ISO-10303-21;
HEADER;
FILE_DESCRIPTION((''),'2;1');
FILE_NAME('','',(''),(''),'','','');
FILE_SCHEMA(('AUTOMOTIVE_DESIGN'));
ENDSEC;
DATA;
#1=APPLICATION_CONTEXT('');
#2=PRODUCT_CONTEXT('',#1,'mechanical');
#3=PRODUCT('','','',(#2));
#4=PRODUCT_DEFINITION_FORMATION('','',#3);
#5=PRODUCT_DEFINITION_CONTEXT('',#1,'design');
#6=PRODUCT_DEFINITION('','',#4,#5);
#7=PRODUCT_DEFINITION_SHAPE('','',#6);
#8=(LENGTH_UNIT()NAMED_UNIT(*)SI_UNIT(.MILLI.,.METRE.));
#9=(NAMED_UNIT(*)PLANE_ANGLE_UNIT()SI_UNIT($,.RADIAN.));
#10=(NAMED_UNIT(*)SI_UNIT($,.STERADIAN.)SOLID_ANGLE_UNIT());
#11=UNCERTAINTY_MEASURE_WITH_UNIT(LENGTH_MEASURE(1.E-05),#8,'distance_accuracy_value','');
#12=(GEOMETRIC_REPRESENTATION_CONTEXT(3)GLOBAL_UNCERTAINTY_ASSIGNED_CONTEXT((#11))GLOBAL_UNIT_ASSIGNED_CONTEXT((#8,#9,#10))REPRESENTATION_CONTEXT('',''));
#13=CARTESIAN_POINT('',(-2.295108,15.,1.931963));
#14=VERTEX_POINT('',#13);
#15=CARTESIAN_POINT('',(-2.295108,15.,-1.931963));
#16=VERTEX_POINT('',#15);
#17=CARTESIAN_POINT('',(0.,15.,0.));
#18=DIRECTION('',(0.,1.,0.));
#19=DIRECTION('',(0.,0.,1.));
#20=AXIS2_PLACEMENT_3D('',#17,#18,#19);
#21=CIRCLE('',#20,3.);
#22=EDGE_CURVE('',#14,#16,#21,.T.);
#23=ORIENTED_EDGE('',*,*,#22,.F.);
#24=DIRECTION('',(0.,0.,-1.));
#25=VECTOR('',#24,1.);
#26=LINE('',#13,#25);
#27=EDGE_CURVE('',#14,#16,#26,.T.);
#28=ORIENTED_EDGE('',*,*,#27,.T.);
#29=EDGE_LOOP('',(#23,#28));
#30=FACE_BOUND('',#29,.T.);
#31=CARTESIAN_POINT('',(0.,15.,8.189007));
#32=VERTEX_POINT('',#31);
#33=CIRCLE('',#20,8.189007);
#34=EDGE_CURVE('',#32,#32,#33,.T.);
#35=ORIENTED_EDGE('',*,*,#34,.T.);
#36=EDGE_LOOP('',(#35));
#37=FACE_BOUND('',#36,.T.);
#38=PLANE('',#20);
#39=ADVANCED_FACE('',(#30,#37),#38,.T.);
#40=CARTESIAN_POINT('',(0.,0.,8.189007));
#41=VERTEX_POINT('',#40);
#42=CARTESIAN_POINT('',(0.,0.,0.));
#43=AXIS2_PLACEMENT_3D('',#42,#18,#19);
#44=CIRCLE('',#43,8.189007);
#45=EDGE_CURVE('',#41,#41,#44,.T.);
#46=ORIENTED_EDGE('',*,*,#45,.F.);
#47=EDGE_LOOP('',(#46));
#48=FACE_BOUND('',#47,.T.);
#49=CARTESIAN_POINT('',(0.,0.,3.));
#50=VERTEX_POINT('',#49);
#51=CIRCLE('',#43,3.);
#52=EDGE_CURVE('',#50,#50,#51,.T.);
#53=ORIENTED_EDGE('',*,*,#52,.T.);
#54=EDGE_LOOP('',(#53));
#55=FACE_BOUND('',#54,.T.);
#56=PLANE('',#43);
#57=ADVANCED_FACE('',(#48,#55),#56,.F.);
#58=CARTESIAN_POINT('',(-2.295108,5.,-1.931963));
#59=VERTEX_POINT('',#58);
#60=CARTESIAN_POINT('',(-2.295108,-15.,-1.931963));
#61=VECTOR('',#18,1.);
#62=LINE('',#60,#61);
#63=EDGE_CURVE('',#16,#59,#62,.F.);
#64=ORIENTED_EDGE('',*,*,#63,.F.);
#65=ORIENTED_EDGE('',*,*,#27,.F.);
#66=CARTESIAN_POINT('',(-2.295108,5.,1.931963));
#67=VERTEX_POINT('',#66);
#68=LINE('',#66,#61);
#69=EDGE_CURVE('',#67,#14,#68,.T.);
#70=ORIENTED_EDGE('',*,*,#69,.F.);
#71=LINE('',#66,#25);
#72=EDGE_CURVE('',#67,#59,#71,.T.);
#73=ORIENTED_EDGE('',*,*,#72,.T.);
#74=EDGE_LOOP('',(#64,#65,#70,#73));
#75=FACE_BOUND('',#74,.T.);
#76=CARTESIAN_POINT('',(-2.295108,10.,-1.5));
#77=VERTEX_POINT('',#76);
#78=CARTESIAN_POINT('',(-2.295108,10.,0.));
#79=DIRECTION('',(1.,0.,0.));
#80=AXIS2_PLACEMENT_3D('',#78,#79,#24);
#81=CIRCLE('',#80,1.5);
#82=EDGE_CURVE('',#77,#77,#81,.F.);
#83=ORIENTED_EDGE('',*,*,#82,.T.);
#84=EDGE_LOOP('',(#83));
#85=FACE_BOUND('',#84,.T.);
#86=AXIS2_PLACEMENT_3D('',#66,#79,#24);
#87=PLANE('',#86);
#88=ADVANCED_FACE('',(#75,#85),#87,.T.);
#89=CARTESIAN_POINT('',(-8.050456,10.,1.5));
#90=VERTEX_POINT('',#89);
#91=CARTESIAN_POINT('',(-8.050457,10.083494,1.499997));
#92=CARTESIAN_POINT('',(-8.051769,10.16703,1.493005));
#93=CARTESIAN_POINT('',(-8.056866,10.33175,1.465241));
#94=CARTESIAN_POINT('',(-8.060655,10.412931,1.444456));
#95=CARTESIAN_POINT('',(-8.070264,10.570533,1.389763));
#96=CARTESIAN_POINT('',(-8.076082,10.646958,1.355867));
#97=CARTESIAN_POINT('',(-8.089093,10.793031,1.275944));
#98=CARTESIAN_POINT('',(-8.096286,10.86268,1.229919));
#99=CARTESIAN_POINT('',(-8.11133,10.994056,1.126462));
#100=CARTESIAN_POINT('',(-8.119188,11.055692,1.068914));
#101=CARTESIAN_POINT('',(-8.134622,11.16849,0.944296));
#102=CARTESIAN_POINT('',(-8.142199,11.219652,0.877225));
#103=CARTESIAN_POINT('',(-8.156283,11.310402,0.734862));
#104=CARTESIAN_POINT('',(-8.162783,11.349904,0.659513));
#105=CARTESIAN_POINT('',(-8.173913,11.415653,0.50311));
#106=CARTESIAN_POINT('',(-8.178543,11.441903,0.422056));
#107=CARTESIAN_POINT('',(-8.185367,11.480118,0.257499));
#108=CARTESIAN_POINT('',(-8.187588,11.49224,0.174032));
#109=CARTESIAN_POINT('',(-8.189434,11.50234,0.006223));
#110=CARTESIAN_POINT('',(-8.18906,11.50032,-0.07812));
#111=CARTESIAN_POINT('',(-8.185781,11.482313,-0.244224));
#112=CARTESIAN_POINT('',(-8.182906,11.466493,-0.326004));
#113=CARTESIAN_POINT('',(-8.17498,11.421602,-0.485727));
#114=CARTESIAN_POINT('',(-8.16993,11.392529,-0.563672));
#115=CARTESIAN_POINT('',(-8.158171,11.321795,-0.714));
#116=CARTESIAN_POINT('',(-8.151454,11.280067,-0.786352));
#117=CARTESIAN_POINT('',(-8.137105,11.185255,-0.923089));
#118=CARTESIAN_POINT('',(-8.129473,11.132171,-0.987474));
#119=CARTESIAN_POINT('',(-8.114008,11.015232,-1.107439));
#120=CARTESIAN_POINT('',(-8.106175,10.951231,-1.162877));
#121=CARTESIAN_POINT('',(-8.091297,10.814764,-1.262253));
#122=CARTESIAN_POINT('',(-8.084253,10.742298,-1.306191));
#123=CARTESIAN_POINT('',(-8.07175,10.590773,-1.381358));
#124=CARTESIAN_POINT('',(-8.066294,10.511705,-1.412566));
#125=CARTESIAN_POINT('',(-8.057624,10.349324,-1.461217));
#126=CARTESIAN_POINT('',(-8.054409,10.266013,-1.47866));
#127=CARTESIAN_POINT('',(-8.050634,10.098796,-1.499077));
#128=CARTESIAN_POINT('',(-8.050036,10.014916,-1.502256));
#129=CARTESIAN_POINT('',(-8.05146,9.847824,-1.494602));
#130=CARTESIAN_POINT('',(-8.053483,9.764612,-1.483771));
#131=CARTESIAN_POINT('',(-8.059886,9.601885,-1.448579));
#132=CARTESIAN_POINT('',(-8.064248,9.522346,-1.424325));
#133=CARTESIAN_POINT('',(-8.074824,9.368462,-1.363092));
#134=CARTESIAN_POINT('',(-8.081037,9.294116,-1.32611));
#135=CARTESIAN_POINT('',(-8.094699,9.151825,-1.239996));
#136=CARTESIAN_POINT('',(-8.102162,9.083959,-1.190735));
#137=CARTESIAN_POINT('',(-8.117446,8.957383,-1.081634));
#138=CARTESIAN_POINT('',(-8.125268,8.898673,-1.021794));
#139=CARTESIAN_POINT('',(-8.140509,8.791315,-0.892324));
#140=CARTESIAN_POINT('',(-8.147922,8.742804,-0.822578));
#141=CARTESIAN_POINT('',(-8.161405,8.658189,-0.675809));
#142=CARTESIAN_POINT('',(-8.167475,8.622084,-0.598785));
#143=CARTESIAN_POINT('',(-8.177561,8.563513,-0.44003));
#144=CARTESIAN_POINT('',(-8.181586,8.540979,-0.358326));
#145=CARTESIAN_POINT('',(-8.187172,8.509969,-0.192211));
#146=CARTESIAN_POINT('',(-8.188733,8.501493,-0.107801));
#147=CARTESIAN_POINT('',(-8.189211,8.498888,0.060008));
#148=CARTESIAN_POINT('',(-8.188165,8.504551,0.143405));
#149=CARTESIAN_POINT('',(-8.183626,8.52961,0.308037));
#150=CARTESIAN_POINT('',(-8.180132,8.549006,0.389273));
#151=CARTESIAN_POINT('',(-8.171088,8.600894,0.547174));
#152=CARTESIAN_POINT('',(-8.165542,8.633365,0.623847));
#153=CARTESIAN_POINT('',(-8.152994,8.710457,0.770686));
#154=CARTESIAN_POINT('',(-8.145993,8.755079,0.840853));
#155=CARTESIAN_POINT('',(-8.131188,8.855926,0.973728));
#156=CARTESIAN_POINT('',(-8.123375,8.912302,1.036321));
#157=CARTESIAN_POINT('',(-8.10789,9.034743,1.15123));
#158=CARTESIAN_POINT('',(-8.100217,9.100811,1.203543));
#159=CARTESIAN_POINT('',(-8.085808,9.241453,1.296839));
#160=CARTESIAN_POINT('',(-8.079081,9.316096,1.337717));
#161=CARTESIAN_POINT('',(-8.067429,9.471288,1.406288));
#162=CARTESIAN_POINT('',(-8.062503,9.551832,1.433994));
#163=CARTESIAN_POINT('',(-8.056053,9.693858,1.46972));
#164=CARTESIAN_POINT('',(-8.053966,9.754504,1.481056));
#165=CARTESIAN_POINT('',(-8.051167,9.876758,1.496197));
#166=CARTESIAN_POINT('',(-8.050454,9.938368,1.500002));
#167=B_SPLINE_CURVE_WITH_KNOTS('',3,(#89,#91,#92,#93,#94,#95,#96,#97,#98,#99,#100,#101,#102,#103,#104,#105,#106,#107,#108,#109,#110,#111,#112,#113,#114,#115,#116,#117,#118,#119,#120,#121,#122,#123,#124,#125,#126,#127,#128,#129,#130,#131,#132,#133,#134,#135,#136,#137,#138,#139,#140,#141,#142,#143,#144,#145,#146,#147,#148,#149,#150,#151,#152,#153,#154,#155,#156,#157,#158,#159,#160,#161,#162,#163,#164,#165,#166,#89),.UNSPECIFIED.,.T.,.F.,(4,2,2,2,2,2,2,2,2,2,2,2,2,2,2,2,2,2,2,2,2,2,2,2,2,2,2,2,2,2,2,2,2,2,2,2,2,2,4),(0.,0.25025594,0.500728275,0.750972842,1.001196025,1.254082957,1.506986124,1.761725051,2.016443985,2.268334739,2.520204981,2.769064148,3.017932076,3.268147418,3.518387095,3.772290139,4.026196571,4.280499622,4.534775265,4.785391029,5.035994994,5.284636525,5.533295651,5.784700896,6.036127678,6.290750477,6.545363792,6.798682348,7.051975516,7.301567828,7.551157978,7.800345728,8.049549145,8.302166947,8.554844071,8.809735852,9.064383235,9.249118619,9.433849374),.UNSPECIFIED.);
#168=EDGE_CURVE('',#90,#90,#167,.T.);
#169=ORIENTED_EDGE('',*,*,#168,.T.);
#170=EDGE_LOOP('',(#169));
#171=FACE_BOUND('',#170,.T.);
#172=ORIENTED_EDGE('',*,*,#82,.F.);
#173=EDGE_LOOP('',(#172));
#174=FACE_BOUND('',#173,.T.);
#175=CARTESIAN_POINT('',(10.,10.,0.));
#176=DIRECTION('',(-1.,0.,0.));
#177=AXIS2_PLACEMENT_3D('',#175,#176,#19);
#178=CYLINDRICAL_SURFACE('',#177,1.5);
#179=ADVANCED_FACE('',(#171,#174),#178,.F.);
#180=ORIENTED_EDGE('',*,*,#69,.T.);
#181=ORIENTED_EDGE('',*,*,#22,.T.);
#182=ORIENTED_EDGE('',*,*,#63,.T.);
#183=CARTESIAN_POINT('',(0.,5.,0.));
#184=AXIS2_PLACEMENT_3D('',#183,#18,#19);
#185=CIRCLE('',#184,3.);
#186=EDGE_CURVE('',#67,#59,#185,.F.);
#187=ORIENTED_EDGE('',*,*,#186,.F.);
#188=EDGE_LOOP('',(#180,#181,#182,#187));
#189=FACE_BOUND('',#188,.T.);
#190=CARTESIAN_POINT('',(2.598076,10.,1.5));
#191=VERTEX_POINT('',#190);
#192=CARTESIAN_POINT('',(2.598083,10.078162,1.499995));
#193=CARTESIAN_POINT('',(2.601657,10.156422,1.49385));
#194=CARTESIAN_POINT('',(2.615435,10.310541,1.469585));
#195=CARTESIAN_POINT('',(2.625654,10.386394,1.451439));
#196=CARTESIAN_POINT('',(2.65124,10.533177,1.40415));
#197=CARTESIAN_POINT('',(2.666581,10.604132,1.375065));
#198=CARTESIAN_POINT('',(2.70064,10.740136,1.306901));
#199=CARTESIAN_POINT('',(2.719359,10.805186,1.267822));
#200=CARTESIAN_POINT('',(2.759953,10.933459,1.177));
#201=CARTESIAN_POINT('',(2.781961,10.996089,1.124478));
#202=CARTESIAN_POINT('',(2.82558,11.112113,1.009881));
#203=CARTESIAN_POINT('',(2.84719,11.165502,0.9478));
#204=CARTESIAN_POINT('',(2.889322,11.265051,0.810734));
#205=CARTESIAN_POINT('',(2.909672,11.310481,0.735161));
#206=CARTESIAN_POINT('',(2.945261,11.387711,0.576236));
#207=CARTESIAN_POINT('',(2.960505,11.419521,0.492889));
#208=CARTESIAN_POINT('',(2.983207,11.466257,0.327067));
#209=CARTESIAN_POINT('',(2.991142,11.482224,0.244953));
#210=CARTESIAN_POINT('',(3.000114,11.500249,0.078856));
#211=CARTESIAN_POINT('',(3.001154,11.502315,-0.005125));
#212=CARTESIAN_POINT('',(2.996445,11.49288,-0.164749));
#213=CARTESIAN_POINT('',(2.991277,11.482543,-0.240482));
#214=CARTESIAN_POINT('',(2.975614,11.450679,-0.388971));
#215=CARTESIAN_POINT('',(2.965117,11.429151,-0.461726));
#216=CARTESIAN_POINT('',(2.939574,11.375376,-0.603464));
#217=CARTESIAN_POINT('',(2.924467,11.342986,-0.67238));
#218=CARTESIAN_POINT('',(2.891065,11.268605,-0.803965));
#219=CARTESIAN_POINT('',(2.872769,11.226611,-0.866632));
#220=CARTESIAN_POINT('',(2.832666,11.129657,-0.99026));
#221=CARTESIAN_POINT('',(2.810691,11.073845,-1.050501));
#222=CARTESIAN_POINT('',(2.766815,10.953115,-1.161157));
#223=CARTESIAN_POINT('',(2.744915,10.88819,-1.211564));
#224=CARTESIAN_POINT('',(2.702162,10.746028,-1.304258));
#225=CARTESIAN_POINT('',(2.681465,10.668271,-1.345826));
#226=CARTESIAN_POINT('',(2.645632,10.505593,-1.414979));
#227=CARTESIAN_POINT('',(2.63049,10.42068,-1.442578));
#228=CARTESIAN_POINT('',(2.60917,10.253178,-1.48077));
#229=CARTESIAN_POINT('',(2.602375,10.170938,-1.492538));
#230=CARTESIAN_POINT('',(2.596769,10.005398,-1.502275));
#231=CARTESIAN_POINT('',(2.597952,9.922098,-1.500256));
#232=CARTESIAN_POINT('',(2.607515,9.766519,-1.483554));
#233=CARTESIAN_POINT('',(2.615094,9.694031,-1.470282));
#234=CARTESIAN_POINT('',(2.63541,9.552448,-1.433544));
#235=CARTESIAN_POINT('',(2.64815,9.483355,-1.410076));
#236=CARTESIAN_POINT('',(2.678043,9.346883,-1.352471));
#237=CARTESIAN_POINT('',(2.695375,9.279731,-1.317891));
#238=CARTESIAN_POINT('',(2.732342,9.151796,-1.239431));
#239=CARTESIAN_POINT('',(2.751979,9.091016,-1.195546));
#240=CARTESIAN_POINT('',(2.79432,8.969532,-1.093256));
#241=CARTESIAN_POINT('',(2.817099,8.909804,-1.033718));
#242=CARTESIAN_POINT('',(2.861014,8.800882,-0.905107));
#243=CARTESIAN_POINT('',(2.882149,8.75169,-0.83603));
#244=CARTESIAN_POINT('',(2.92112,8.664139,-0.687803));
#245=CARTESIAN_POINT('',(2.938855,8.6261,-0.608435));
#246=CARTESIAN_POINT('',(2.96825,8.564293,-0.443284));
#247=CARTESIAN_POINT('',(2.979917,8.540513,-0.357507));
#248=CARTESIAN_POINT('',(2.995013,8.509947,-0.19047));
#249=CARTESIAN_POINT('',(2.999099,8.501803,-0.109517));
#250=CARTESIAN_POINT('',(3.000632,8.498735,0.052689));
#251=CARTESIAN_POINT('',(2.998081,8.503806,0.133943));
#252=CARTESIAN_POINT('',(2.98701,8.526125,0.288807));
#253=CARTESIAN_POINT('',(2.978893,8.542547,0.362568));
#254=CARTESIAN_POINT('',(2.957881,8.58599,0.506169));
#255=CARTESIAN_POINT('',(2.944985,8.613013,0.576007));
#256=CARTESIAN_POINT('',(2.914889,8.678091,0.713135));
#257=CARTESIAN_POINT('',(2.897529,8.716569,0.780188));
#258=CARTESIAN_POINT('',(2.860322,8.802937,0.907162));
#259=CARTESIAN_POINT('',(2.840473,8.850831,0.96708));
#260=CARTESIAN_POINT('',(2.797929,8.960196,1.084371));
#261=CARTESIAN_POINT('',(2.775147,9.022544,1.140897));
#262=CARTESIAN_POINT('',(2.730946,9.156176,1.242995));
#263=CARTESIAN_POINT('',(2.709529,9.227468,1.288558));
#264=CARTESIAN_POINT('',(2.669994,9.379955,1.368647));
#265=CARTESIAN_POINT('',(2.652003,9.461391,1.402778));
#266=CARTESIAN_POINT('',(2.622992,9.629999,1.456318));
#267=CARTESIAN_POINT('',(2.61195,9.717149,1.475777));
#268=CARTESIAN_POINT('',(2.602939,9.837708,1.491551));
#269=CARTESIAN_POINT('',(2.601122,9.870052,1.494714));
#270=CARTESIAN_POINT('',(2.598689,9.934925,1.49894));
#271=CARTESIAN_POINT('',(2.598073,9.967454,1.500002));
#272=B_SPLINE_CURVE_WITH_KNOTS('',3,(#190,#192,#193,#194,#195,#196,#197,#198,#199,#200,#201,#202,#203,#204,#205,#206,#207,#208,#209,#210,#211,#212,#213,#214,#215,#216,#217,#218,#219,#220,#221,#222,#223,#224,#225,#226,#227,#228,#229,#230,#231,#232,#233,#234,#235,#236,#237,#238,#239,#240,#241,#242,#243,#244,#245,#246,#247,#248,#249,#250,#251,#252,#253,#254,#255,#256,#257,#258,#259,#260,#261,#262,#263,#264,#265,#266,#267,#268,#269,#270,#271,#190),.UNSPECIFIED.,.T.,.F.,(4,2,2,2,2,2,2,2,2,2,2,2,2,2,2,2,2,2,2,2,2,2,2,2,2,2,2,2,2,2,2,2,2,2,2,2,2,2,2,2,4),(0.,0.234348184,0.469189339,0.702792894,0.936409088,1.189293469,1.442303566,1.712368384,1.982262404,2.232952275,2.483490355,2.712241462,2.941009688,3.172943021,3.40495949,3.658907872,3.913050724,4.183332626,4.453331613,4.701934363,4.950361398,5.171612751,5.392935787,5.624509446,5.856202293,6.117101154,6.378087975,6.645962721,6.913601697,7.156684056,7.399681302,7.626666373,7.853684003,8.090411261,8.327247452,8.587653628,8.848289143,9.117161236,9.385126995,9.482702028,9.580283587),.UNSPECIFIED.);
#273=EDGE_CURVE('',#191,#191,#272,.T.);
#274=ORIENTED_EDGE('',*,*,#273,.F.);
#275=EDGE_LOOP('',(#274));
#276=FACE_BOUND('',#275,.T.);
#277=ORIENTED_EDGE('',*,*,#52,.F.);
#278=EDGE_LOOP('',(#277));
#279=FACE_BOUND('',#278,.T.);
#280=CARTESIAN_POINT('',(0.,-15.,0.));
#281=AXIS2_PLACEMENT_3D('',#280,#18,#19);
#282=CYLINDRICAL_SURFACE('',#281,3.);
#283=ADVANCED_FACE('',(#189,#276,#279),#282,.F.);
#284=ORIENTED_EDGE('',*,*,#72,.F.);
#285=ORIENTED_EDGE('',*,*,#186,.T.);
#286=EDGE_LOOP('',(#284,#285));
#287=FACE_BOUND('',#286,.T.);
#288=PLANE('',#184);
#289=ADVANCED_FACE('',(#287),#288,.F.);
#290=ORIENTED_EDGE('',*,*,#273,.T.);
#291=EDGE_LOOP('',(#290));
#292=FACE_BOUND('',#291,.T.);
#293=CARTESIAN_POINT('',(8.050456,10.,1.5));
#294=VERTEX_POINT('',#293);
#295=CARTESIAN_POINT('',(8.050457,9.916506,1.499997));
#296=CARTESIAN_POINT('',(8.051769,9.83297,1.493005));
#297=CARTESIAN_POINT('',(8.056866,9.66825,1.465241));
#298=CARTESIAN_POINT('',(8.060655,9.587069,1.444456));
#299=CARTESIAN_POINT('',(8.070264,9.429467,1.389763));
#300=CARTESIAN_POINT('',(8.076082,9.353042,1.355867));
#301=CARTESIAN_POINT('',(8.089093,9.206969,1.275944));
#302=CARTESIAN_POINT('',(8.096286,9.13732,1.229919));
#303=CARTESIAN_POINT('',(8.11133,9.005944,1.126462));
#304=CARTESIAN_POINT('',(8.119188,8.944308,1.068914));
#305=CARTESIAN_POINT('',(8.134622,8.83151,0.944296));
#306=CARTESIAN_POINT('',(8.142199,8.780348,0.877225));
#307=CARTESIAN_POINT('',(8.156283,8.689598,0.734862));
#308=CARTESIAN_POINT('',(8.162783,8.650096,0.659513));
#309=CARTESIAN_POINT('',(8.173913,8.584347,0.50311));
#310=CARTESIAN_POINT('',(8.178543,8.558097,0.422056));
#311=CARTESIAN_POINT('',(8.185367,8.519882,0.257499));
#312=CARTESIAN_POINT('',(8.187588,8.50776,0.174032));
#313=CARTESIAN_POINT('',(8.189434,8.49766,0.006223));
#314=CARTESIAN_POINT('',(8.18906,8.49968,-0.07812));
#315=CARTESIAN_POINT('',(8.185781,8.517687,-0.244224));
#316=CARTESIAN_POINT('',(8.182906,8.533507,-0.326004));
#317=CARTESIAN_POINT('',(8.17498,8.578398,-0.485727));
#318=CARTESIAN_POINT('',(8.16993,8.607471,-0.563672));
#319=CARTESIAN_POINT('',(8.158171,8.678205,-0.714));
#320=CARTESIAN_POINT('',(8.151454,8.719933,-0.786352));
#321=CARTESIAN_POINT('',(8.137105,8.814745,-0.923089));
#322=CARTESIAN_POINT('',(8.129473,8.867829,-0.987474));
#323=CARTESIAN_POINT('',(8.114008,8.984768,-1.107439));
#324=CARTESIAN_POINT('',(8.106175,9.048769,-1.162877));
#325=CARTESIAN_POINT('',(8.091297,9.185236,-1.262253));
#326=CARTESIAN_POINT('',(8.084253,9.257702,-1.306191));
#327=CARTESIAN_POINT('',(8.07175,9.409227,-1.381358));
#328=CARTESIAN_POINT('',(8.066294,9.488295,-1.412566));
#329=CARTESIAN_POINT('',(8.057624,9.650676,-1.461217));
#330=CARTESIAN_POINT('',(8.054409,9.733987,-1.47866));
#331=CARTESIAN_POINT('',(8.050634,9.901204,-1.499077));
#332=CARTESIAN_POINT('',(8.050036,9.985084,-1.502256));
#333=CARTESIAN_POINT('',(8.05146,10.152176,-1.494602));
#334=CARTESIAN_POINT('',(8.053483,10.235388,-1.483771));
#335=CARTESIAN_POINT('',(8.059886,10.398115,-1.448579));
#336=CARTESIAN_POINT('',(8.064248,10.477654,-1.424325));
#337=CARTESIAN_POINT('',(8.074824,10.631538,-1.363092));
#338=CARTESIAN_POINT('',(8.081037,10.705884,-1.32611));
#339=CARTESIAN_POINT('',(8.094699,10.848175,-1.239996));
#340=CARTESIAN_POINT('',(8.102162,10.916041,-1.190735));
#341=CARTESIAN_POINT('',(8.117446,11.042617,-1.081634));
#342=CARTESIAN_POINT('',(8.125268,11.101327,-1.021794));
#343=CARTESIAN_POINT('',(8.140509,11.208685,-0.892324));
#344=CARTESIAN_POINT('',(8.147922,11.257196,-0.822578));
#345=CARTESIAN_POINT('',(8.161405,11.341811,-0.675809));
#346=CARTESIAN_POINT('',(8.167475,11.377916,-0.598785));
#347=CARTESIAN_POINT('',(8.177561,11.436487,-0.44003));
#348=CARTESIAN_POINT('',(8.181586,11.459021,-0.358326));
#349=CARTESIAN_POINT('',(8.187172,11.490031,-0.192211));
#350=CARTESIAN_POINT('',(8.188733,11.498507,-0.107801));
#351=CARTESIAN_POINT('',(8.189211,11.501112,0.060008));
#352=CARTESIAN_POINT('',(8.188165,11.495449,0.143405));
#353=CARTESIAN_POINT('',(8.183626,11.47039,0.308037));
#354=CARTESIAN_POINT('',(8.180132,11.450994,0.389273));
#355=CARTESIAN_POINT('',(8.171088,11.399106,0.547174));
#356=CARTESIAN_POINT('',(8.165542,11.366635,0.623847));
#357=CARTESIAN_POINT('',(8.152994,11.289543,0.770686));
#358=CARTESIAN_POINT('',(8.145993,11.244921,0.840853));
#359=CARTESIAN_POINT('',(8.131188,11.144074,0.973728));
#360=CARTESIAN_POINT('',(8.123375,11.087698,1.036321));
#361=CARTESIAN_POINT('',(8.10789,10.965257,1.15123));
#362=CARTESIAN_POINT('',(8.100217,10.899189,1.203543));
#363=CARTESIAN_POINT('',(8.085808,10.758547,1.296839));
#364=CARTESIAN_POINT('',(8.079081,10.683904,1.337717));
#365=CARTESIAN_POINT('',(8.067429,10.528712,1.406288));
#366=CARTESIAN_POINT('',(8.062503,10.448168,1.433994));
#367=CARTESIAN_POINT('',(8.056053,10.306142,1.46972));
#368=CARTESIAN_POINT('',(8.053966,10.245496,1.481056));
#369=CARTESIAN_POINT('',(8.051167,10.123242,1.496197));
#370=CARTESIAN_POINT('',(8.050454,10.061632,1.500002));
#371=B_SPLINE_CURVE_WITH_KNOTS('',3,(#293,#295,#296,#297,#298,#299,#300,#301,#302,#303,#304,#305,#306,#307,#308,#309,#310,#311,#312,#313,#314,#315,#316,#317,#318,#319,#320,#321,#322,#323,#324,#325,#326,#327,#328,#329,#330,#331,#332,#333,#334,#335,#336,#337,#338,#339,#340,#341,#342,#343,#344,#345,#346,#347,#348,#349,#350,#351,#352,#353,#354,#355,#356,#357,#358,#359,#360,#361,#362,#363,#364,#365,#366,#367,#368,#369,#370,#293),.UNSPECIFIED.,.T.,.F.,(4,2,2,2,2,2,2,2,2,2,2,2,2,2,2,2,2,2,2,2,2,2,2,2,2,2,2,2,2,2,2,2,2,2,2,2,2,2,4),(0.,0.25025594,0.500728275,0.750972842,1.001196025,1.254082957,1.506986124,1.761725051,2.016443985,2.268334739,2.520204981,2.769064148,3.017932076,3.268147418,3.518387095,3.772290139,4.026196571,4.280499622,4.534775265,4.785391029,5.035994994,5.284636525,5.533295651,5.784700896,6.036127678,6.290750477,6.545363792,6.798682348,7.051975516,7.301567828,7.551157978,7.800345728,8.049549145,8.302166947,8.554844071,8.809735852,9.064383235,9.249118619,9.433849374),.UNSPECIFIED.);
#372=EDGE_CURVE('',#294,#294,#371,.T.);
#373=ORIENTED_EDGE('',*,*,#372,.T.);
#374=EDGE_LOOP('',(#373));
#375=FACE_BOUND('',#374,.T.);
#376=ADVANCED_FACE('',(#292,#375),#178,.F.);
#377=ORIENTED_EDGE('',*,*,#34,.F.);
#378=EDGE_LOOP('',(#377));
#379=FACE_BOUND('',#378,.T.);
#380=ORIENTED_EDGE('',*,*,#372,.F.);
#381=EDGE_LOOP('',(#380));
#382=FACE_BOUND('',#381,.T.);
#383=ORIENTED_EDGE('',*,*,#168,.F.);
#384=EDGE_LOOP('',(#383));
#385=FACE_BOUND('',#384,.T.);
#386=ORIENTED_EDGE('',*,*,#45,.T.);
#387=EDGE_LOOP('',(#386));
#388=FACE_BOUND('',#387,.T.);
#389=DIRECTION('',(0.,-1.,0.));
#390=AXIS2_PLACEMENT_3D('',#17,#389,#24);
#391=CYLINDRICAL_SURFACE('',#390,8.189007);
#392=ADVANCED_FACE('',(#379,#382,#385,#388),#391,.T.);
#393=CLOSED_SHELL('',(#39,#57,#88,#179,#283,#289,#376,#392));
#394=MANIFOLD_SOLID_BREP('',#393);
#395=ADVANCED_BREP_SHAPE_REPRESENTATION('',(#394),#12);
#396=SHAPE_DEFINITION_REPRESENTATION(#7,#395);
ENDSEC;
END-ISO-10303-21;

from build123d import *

# Parameters (mm, degrees)
SKETCH1_R               = 8.189006913
BOSS_EXTRUDE1_DEPTH     = 15
SKETCH2_R               = 3
CUT_EXTRUDE1_DEPTH      = 30
SKETCH4_W               = 1.839212521
SKETCH4_H               = 4.190652527
BOSS_EXTRUDE2_DEPTH     = 10
CUT_EXTRUDE2_DEPTH      = 10
CUT_EXTRUDE2_DEPTH_BACK = 10
SKETCH3_R               = 1.5


with BuildPart() as part:
    # Sketch1 → Boss-Extrude1 (new body)
    with BuildSketch(Plane(origin=(0, 0, 0), x_dir=(1, 0, 0), z_dir=(0, 1, 0))):
        Circle(SKETCH1_R)
    extrude(amount=BOSS_EXTRUDE1_DEPTH)

    # Sketch2 → Cut-Extrude1 (cut)
    with BuildSketch(Plane(origin=(0, 15, 0), x_dir=(1, 0, 0), z_dir=(0, 1, 0))):
        Circle(SKETCH2_R)
    extrude(amount=-CUT_EXTRUDE1_DEPTH, mode=Mode.SUBTRACT)

    # Sketch4 → Boss-Extrude2 (add)
    with BuildSketch(Plane(origin=(0, 15, 0), x_dir=(1, 0, 0), z_dir=(0, 1, 0))):
        with Locations((-3.214713917, 0.163363311)):
            Rectangle(SKETCH4_W, SKETCH4_H)
    extrude(amount=-BOSS_EXTRUDE2_DEPTH)

    # Sketch3 → Cut-Extrude2 (cut, two sides: drawn at the far end of the back side and taken through both)
    with BuildSketch(Plane(origin=(0, 0, 0), x_dir=(0, 0, -1), z_dir=(1, 0, 0)).offset(-CUT_EXTRUDE2_DEPTH_BACK)):
        with Locations((0, 10)):
            Circle(SKETCH3_R)
    extrude(amount=CUT_EXTRUDE2_DEPTH + CUT_EXTRUDE2_DEPTH_BACK, mode=Mode.SUBTRACT)


solid = part.part
